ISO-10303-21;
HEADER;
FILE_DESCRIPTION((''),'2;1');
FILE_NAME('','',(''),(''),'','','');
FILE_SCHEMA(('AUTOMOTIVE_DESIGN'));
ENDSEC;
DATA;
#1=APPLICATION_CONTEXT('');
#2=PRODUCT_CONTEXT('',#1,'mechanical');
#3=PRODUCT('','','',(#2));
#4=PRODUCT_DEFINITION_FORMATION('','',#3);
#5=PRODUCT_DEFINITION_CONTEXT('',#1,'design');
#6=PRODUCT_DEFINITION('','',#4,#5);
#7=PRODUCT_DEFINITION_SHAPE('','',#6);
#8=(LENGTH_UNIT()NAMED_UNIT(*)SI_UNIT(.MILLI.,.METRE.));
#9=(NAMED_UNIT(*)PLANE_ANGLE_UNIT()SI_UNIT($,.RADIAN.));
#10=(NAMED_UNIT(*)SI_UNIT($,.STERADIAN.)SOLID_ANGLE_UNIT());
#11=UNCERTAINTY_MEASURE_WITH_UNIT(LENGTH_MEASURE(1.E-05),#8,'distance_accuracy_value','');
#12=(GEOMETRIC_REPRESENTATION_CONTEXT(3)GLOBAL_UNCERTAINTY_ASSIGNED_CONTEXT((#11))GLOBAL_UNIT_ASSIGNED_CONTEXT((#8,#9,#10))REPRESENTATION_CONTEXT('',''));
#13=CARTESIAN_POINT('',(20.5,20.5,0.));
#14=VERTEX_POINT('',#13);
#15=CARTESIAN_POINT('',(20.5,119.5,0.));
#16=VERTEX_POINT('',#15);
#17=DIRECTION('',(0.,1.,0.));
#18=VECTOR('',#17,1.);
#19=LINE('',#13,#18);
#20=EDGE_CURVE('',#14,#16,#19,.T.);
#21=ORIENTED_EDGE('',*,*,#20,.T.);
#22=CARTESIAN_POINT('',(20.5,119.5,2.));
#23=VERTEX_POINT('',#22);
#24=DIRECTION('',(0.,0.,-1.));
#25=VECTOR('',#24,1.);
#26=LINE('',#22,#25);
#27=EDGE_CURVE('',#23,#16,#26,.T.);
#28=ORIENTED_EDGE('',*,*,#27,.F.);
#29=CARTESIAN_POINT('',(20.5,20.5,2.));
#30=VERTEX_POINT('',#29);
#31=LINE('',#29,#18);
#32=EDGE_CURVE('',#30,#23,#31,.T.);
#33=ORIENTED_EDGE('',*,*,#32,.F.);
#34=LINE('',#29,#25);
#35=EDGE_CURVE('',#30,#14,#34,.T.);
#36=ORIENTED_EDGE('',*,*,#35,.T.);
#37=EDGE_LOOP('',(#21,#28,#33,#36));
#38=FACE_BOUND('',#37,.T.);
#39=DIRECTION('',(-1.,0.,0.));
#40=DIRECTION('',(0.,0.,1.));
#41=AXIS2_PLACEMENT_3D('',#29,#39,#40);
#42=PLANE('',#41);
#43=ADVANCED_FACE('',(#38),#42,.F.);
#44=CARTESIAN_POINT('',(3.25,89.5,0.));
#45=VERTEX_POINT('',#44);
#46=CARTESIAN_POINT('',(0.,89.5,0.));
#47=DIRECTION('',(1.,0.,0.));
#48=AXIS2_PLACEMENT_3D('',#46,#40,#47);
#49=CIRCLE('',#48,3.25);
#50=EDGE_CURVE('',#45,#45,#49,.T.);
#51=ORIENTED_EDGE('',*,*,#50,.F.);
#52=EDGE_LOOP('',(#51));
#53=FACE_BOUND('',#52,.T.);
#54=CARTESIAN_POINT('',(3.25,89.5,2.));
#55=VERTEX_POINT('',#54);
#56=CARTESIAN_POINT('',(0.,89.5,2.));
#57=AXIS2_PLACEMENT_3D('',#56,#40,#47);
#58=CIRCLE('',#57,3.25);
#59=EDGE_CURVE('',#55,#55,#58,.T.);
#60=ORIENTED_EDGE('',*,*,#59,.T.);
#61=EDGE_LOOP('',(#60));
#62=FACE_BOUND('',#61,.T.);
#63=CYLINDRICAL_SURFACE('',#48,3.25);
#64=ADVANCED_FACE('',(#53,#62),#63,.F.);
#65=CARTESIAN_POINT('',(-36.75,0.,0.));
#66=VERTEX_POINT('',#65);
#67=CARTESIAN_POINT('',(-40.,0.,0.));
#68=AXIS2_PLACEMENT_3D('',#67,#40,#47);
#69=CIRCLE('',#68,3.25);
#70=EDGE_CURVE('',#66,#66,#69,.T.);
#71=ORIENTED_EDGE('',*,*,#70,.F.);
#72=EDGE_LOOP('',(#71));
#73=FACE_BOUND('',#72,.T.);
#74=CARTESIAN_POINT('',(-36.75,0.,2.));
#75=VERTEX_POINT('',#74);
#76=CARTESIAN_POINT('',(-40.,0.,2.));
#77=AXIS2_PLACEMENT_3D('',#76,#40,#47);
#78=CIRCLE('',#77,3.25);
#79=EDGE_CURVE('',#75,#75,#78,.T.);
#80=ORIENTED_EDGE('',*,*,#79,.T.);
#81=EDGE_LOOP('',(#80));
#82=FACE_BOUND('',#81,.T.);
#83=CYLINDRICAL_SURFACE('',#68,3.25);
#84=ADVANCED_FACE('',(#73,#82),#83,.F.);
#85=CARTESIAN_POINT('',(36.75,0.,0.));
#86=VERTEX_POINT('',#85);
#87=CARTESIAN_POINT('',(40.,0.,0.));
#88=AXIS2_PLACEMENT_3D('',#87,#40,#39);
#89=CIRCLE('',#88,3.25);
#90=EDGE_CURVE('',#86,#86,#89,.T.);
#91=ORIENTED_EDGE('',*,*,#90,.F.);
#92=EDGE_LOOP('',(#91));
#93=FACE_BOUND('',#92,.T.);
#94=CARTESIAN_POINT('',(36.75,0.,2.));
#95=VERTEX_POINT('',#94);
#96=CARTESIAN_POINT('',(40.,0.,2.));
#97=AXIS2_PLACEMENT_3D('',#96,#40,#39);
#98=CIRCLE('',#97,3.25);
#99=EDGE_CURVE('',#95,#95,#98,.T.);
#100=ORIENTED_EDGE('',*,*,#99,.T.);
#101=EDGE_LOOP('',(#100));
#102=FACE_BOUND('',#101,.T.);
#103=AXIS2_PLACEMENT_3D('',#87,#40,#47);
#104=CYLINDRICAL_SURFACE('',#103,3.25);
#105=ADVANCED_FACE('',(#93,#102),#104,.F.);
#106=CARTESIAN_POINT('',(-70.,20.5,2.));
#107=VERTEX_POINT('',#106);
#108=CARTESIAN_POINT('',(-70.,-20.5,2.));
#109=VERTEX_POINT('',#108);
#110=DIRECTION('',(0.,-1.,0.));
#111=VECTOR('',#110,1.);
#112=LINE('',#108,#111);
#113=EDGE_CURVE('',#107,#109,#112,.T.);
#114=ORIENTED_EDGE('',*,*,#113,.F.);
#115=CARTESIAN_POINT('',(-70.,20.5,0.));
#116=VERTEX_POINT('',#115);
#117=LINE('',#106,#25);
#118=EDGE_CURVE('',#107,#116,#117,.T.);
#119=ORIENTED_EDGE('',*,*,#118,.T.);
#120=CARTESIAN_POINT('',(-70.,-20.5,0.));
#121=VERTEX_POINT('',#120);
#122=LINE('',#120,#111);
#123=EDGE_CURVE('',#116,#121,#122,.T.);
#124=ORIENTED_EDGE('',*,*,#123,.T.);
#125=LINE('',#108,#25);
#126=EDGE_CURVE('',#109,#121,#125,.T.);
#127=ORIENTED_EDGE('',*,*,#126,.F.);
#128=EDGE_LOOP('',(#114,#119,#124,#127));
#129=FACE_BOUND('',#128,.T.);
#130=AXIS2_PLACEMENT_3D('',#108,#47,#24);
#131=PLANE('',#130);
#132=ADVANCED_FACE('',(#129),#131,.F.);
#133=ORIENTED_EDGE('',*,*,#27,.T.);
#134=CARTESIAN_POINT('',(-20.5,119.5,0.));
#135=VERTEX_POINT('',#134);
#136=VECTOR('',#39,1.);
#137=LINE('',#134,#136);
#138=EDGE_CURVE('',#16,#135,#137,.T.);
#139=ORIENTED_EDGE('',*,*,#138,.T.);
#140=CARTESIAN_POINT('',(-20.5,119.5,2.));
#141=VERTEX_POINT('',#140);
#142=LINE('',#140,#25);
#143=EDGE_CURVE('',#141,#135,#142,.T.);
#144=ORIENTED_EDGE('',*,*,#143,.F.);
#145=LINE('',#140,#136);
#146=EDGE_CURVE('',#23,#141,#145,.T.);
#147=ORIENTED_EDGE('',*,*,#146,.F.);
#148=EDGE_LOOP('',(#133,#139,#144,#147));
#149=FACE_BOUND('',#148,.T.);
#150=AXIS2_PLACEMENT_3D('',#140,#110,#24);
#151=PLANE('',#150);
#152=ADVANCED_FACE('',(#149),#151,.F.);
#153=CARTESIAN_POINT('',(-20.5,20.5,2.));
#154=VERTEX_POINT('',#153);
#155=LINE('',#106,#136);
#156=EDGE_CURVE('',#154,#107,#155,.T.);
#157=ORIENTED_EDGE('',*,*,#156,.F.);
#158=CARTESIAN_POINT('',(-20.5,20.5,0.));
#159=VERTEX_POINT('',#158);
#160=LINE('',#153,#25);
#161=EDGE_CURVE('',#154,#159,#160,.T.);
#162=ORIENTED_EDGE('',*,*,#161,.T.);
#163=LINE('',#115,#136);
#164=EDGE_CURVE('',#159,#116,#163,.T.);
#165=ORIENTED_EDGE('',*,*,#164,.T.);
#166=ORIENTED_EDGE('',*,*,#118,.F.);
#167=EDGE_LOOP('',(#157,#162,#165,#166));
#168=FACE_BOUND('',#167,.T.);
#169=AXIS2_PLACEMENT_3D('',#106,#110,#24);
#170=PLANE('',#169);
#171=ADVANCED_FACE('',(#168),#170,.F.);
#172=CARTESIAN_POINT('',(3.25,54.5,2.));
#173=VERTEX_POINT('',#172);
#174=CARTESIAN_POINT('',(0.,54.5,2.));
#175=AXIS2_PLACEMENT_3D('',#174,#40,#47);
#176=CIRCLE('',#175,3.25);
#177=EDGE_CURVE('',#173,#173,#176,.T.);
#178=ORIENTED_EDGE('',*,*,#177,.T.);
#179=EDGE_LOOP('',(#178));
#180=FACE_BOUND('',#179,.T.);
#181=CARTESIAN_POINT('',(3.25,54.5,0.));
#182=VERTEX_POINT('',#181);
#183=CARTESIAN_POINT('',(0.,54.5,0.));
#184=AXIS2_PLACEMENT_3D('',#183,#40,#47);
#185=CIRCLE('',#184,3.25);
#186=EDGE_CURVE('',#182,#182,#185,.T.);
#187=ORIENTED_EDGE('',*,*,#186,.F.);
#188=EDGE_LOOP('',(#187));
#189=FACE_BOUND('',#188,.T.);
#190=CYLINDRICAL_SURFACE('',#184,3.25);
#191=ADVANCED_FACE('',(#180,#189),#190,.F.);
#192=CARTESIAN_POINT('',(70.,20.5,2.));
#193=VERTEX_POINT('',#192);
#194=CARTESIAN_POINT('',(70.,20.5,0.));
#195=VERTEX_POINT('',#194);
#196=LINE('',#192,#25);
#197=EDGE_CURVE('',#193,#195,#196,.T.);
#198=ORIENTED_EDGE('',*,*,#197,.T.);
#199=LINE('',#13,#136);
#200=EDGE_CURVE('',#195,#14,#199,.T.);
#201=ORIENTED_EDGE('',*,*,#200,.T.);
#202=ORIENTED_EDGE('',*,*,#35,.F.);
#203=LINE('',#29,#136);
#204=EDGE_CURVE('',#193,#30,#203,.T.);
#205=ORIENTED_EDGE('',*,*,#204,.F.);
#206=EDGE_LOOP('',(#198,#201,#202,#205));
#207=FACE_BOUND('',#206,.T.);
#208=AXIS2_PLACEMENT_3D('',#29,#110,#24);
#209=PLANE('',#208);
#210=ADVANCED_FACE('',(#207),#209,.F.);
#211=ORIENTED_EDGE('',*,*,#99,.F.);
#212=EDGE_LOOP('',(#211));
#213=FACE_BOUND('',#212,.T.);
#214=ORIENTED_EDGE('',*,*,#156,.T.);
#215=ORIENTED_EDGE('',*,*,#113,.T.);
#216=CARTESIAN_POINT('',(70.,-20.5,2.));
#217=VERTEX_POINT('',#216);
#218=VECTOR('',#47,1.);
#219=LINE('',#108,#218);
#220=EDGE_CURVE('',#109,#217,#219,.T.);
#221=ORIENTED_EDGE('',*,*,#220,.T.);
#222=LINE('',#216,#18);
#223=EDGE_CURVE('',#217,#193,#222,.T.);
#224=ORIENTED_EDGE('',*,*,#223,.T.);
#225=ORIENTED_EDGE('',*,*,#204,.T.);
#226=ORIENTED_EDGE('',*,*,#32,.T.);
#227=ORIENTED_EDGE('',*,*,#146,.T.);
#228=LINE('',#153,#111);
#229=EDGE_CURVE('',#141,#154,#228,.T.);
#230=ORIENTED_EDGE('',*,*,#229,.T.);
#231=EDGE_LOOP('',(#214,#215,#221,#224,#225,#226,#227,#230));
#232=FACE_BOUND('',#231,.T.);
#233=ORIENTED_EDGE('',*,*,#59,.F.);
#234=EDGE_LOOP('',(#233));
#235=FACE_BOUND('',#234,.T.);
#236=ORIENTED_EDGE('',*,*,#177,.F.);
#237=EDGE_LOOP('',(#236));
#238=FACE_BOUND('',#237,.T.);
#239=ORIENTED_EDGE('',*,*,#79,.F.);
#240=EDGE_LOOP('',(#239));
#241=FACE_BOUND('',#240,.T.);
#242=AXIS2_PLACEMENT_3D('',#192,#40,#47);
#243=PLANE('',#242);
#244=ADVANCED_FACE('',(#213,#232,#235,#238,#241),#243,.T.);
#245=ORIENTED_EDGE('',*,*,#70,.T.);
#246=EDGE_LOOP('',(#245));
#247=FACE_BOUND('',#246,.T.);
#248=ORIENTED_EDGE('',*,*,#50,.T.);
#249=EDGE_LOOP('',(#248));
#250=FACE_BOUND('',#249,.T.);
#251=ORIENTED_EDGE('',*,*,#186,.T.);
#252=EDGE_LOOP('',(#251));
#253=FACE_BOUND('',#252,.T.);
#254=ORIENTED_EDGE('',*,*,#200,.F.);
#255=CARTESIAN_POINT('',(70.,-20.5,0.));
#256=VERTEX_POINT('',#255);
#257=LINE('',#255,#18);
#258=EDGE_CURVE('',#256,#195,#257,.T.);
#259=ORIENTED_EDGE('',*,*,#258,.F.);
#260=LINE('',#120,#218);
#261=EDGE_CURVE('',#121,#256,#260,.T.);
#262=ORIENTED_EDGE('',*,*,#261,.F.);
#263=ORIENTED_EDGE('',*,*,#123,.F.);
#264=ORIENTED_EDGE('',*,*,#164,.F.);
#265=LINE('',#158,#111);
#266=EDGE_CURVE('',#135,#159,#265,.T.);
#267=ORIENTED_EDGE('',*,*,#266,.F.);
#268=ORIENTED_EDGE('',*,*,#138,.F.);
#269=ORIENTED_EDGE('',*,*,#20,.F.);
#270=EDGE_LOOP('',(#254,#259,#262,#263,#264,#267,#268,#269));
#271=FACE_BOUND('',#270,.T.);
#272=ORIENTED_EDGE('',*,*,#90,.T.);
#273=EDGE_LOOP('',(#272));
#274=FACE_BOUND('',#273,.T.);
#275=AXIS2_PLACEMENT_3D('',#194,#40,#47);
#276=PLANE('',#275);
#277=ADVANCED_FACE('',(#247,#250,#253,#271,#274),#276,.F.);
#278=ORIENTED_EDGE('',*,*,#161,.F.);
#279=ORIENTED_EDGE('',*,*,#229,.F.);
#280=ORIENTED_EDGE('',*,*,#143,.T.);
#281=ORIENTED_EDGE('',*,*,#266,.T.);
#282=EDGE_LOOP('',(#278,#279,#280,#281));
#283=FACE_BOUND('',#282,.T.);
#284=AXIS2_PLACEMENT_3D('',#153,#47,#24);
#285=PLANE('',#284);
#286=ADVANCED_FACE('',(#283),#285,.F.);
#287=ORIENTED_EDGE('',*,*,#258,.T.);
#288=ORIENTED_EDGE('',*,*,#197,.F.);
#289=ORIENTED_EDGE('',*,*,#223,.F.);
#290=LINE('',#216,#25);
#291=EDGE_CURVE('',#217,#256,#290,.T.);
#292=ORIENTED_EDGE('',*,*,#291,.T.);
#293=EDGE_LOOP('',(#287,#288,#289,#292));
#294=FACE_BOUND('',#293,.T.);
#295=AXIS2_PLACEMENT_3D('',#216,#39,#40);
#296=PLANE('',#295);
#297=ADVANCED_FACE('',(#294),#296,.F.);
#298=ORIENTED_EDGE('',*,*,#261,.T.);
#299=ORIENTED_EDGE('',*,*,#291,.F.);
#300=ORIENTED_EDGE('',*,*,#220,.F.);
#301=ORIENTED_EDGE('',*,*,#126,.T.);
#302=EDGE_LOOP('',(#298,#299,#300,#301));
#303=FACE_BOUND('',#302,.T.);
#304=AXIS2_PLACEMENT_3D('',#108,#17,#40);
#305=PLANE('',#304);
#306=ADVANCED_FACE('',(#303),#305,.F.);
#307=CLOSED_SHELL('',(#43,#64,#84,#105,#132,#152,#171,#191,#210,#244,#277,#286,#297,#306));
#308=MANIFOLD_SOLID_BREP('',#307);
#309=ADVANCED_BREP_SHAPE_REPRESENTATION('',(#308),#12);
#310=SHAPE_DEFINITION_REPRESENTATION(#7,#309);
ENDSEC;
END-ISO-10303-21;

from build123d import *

# Parameters (mm, degrees)
EXTRUDE_1_DEPTH     = 2
SKETCH_2_R          = 3.25
CUT_EXTRUDE_1_DEPTH = 139.507220028


with BuildPart() as part:
    # 草图1 → 凸台-拉伸1 (new body)
    with BuildSketch(Plane.XY):
        Polygon((-70, -20.5), (70, -20.5), (70, 20.5), (20.5, 20.5), (20.5, 119.5), (-20.5, 119.5), (-20.5, 20.5), (-70, 20.5), align=None)
    extrude(amount=EXTRUDE_1_DEPTH)

    # 草图2 → 切除-拉伸1 (cut, through all)
    with BuildSketch(Plane.XY.offset(2)):
        with Locations((0, 89.5)):
            Circle(SKETCH_2_R)
        with Locations((0, 54.5)):
            Circle(SKETCH_2_R)
        with Locations((-40, 0)):
            Circle(SKETCH_2_R)
        with Locations(Location((40, 0, 0), (0, 0, 180))):
            Circle(SKETCH_2_R)
    extrude(amount=-CUT_EXTRUDE_1_DEPTH, mode=Mode.SUBTRACT)


solid = part.part
